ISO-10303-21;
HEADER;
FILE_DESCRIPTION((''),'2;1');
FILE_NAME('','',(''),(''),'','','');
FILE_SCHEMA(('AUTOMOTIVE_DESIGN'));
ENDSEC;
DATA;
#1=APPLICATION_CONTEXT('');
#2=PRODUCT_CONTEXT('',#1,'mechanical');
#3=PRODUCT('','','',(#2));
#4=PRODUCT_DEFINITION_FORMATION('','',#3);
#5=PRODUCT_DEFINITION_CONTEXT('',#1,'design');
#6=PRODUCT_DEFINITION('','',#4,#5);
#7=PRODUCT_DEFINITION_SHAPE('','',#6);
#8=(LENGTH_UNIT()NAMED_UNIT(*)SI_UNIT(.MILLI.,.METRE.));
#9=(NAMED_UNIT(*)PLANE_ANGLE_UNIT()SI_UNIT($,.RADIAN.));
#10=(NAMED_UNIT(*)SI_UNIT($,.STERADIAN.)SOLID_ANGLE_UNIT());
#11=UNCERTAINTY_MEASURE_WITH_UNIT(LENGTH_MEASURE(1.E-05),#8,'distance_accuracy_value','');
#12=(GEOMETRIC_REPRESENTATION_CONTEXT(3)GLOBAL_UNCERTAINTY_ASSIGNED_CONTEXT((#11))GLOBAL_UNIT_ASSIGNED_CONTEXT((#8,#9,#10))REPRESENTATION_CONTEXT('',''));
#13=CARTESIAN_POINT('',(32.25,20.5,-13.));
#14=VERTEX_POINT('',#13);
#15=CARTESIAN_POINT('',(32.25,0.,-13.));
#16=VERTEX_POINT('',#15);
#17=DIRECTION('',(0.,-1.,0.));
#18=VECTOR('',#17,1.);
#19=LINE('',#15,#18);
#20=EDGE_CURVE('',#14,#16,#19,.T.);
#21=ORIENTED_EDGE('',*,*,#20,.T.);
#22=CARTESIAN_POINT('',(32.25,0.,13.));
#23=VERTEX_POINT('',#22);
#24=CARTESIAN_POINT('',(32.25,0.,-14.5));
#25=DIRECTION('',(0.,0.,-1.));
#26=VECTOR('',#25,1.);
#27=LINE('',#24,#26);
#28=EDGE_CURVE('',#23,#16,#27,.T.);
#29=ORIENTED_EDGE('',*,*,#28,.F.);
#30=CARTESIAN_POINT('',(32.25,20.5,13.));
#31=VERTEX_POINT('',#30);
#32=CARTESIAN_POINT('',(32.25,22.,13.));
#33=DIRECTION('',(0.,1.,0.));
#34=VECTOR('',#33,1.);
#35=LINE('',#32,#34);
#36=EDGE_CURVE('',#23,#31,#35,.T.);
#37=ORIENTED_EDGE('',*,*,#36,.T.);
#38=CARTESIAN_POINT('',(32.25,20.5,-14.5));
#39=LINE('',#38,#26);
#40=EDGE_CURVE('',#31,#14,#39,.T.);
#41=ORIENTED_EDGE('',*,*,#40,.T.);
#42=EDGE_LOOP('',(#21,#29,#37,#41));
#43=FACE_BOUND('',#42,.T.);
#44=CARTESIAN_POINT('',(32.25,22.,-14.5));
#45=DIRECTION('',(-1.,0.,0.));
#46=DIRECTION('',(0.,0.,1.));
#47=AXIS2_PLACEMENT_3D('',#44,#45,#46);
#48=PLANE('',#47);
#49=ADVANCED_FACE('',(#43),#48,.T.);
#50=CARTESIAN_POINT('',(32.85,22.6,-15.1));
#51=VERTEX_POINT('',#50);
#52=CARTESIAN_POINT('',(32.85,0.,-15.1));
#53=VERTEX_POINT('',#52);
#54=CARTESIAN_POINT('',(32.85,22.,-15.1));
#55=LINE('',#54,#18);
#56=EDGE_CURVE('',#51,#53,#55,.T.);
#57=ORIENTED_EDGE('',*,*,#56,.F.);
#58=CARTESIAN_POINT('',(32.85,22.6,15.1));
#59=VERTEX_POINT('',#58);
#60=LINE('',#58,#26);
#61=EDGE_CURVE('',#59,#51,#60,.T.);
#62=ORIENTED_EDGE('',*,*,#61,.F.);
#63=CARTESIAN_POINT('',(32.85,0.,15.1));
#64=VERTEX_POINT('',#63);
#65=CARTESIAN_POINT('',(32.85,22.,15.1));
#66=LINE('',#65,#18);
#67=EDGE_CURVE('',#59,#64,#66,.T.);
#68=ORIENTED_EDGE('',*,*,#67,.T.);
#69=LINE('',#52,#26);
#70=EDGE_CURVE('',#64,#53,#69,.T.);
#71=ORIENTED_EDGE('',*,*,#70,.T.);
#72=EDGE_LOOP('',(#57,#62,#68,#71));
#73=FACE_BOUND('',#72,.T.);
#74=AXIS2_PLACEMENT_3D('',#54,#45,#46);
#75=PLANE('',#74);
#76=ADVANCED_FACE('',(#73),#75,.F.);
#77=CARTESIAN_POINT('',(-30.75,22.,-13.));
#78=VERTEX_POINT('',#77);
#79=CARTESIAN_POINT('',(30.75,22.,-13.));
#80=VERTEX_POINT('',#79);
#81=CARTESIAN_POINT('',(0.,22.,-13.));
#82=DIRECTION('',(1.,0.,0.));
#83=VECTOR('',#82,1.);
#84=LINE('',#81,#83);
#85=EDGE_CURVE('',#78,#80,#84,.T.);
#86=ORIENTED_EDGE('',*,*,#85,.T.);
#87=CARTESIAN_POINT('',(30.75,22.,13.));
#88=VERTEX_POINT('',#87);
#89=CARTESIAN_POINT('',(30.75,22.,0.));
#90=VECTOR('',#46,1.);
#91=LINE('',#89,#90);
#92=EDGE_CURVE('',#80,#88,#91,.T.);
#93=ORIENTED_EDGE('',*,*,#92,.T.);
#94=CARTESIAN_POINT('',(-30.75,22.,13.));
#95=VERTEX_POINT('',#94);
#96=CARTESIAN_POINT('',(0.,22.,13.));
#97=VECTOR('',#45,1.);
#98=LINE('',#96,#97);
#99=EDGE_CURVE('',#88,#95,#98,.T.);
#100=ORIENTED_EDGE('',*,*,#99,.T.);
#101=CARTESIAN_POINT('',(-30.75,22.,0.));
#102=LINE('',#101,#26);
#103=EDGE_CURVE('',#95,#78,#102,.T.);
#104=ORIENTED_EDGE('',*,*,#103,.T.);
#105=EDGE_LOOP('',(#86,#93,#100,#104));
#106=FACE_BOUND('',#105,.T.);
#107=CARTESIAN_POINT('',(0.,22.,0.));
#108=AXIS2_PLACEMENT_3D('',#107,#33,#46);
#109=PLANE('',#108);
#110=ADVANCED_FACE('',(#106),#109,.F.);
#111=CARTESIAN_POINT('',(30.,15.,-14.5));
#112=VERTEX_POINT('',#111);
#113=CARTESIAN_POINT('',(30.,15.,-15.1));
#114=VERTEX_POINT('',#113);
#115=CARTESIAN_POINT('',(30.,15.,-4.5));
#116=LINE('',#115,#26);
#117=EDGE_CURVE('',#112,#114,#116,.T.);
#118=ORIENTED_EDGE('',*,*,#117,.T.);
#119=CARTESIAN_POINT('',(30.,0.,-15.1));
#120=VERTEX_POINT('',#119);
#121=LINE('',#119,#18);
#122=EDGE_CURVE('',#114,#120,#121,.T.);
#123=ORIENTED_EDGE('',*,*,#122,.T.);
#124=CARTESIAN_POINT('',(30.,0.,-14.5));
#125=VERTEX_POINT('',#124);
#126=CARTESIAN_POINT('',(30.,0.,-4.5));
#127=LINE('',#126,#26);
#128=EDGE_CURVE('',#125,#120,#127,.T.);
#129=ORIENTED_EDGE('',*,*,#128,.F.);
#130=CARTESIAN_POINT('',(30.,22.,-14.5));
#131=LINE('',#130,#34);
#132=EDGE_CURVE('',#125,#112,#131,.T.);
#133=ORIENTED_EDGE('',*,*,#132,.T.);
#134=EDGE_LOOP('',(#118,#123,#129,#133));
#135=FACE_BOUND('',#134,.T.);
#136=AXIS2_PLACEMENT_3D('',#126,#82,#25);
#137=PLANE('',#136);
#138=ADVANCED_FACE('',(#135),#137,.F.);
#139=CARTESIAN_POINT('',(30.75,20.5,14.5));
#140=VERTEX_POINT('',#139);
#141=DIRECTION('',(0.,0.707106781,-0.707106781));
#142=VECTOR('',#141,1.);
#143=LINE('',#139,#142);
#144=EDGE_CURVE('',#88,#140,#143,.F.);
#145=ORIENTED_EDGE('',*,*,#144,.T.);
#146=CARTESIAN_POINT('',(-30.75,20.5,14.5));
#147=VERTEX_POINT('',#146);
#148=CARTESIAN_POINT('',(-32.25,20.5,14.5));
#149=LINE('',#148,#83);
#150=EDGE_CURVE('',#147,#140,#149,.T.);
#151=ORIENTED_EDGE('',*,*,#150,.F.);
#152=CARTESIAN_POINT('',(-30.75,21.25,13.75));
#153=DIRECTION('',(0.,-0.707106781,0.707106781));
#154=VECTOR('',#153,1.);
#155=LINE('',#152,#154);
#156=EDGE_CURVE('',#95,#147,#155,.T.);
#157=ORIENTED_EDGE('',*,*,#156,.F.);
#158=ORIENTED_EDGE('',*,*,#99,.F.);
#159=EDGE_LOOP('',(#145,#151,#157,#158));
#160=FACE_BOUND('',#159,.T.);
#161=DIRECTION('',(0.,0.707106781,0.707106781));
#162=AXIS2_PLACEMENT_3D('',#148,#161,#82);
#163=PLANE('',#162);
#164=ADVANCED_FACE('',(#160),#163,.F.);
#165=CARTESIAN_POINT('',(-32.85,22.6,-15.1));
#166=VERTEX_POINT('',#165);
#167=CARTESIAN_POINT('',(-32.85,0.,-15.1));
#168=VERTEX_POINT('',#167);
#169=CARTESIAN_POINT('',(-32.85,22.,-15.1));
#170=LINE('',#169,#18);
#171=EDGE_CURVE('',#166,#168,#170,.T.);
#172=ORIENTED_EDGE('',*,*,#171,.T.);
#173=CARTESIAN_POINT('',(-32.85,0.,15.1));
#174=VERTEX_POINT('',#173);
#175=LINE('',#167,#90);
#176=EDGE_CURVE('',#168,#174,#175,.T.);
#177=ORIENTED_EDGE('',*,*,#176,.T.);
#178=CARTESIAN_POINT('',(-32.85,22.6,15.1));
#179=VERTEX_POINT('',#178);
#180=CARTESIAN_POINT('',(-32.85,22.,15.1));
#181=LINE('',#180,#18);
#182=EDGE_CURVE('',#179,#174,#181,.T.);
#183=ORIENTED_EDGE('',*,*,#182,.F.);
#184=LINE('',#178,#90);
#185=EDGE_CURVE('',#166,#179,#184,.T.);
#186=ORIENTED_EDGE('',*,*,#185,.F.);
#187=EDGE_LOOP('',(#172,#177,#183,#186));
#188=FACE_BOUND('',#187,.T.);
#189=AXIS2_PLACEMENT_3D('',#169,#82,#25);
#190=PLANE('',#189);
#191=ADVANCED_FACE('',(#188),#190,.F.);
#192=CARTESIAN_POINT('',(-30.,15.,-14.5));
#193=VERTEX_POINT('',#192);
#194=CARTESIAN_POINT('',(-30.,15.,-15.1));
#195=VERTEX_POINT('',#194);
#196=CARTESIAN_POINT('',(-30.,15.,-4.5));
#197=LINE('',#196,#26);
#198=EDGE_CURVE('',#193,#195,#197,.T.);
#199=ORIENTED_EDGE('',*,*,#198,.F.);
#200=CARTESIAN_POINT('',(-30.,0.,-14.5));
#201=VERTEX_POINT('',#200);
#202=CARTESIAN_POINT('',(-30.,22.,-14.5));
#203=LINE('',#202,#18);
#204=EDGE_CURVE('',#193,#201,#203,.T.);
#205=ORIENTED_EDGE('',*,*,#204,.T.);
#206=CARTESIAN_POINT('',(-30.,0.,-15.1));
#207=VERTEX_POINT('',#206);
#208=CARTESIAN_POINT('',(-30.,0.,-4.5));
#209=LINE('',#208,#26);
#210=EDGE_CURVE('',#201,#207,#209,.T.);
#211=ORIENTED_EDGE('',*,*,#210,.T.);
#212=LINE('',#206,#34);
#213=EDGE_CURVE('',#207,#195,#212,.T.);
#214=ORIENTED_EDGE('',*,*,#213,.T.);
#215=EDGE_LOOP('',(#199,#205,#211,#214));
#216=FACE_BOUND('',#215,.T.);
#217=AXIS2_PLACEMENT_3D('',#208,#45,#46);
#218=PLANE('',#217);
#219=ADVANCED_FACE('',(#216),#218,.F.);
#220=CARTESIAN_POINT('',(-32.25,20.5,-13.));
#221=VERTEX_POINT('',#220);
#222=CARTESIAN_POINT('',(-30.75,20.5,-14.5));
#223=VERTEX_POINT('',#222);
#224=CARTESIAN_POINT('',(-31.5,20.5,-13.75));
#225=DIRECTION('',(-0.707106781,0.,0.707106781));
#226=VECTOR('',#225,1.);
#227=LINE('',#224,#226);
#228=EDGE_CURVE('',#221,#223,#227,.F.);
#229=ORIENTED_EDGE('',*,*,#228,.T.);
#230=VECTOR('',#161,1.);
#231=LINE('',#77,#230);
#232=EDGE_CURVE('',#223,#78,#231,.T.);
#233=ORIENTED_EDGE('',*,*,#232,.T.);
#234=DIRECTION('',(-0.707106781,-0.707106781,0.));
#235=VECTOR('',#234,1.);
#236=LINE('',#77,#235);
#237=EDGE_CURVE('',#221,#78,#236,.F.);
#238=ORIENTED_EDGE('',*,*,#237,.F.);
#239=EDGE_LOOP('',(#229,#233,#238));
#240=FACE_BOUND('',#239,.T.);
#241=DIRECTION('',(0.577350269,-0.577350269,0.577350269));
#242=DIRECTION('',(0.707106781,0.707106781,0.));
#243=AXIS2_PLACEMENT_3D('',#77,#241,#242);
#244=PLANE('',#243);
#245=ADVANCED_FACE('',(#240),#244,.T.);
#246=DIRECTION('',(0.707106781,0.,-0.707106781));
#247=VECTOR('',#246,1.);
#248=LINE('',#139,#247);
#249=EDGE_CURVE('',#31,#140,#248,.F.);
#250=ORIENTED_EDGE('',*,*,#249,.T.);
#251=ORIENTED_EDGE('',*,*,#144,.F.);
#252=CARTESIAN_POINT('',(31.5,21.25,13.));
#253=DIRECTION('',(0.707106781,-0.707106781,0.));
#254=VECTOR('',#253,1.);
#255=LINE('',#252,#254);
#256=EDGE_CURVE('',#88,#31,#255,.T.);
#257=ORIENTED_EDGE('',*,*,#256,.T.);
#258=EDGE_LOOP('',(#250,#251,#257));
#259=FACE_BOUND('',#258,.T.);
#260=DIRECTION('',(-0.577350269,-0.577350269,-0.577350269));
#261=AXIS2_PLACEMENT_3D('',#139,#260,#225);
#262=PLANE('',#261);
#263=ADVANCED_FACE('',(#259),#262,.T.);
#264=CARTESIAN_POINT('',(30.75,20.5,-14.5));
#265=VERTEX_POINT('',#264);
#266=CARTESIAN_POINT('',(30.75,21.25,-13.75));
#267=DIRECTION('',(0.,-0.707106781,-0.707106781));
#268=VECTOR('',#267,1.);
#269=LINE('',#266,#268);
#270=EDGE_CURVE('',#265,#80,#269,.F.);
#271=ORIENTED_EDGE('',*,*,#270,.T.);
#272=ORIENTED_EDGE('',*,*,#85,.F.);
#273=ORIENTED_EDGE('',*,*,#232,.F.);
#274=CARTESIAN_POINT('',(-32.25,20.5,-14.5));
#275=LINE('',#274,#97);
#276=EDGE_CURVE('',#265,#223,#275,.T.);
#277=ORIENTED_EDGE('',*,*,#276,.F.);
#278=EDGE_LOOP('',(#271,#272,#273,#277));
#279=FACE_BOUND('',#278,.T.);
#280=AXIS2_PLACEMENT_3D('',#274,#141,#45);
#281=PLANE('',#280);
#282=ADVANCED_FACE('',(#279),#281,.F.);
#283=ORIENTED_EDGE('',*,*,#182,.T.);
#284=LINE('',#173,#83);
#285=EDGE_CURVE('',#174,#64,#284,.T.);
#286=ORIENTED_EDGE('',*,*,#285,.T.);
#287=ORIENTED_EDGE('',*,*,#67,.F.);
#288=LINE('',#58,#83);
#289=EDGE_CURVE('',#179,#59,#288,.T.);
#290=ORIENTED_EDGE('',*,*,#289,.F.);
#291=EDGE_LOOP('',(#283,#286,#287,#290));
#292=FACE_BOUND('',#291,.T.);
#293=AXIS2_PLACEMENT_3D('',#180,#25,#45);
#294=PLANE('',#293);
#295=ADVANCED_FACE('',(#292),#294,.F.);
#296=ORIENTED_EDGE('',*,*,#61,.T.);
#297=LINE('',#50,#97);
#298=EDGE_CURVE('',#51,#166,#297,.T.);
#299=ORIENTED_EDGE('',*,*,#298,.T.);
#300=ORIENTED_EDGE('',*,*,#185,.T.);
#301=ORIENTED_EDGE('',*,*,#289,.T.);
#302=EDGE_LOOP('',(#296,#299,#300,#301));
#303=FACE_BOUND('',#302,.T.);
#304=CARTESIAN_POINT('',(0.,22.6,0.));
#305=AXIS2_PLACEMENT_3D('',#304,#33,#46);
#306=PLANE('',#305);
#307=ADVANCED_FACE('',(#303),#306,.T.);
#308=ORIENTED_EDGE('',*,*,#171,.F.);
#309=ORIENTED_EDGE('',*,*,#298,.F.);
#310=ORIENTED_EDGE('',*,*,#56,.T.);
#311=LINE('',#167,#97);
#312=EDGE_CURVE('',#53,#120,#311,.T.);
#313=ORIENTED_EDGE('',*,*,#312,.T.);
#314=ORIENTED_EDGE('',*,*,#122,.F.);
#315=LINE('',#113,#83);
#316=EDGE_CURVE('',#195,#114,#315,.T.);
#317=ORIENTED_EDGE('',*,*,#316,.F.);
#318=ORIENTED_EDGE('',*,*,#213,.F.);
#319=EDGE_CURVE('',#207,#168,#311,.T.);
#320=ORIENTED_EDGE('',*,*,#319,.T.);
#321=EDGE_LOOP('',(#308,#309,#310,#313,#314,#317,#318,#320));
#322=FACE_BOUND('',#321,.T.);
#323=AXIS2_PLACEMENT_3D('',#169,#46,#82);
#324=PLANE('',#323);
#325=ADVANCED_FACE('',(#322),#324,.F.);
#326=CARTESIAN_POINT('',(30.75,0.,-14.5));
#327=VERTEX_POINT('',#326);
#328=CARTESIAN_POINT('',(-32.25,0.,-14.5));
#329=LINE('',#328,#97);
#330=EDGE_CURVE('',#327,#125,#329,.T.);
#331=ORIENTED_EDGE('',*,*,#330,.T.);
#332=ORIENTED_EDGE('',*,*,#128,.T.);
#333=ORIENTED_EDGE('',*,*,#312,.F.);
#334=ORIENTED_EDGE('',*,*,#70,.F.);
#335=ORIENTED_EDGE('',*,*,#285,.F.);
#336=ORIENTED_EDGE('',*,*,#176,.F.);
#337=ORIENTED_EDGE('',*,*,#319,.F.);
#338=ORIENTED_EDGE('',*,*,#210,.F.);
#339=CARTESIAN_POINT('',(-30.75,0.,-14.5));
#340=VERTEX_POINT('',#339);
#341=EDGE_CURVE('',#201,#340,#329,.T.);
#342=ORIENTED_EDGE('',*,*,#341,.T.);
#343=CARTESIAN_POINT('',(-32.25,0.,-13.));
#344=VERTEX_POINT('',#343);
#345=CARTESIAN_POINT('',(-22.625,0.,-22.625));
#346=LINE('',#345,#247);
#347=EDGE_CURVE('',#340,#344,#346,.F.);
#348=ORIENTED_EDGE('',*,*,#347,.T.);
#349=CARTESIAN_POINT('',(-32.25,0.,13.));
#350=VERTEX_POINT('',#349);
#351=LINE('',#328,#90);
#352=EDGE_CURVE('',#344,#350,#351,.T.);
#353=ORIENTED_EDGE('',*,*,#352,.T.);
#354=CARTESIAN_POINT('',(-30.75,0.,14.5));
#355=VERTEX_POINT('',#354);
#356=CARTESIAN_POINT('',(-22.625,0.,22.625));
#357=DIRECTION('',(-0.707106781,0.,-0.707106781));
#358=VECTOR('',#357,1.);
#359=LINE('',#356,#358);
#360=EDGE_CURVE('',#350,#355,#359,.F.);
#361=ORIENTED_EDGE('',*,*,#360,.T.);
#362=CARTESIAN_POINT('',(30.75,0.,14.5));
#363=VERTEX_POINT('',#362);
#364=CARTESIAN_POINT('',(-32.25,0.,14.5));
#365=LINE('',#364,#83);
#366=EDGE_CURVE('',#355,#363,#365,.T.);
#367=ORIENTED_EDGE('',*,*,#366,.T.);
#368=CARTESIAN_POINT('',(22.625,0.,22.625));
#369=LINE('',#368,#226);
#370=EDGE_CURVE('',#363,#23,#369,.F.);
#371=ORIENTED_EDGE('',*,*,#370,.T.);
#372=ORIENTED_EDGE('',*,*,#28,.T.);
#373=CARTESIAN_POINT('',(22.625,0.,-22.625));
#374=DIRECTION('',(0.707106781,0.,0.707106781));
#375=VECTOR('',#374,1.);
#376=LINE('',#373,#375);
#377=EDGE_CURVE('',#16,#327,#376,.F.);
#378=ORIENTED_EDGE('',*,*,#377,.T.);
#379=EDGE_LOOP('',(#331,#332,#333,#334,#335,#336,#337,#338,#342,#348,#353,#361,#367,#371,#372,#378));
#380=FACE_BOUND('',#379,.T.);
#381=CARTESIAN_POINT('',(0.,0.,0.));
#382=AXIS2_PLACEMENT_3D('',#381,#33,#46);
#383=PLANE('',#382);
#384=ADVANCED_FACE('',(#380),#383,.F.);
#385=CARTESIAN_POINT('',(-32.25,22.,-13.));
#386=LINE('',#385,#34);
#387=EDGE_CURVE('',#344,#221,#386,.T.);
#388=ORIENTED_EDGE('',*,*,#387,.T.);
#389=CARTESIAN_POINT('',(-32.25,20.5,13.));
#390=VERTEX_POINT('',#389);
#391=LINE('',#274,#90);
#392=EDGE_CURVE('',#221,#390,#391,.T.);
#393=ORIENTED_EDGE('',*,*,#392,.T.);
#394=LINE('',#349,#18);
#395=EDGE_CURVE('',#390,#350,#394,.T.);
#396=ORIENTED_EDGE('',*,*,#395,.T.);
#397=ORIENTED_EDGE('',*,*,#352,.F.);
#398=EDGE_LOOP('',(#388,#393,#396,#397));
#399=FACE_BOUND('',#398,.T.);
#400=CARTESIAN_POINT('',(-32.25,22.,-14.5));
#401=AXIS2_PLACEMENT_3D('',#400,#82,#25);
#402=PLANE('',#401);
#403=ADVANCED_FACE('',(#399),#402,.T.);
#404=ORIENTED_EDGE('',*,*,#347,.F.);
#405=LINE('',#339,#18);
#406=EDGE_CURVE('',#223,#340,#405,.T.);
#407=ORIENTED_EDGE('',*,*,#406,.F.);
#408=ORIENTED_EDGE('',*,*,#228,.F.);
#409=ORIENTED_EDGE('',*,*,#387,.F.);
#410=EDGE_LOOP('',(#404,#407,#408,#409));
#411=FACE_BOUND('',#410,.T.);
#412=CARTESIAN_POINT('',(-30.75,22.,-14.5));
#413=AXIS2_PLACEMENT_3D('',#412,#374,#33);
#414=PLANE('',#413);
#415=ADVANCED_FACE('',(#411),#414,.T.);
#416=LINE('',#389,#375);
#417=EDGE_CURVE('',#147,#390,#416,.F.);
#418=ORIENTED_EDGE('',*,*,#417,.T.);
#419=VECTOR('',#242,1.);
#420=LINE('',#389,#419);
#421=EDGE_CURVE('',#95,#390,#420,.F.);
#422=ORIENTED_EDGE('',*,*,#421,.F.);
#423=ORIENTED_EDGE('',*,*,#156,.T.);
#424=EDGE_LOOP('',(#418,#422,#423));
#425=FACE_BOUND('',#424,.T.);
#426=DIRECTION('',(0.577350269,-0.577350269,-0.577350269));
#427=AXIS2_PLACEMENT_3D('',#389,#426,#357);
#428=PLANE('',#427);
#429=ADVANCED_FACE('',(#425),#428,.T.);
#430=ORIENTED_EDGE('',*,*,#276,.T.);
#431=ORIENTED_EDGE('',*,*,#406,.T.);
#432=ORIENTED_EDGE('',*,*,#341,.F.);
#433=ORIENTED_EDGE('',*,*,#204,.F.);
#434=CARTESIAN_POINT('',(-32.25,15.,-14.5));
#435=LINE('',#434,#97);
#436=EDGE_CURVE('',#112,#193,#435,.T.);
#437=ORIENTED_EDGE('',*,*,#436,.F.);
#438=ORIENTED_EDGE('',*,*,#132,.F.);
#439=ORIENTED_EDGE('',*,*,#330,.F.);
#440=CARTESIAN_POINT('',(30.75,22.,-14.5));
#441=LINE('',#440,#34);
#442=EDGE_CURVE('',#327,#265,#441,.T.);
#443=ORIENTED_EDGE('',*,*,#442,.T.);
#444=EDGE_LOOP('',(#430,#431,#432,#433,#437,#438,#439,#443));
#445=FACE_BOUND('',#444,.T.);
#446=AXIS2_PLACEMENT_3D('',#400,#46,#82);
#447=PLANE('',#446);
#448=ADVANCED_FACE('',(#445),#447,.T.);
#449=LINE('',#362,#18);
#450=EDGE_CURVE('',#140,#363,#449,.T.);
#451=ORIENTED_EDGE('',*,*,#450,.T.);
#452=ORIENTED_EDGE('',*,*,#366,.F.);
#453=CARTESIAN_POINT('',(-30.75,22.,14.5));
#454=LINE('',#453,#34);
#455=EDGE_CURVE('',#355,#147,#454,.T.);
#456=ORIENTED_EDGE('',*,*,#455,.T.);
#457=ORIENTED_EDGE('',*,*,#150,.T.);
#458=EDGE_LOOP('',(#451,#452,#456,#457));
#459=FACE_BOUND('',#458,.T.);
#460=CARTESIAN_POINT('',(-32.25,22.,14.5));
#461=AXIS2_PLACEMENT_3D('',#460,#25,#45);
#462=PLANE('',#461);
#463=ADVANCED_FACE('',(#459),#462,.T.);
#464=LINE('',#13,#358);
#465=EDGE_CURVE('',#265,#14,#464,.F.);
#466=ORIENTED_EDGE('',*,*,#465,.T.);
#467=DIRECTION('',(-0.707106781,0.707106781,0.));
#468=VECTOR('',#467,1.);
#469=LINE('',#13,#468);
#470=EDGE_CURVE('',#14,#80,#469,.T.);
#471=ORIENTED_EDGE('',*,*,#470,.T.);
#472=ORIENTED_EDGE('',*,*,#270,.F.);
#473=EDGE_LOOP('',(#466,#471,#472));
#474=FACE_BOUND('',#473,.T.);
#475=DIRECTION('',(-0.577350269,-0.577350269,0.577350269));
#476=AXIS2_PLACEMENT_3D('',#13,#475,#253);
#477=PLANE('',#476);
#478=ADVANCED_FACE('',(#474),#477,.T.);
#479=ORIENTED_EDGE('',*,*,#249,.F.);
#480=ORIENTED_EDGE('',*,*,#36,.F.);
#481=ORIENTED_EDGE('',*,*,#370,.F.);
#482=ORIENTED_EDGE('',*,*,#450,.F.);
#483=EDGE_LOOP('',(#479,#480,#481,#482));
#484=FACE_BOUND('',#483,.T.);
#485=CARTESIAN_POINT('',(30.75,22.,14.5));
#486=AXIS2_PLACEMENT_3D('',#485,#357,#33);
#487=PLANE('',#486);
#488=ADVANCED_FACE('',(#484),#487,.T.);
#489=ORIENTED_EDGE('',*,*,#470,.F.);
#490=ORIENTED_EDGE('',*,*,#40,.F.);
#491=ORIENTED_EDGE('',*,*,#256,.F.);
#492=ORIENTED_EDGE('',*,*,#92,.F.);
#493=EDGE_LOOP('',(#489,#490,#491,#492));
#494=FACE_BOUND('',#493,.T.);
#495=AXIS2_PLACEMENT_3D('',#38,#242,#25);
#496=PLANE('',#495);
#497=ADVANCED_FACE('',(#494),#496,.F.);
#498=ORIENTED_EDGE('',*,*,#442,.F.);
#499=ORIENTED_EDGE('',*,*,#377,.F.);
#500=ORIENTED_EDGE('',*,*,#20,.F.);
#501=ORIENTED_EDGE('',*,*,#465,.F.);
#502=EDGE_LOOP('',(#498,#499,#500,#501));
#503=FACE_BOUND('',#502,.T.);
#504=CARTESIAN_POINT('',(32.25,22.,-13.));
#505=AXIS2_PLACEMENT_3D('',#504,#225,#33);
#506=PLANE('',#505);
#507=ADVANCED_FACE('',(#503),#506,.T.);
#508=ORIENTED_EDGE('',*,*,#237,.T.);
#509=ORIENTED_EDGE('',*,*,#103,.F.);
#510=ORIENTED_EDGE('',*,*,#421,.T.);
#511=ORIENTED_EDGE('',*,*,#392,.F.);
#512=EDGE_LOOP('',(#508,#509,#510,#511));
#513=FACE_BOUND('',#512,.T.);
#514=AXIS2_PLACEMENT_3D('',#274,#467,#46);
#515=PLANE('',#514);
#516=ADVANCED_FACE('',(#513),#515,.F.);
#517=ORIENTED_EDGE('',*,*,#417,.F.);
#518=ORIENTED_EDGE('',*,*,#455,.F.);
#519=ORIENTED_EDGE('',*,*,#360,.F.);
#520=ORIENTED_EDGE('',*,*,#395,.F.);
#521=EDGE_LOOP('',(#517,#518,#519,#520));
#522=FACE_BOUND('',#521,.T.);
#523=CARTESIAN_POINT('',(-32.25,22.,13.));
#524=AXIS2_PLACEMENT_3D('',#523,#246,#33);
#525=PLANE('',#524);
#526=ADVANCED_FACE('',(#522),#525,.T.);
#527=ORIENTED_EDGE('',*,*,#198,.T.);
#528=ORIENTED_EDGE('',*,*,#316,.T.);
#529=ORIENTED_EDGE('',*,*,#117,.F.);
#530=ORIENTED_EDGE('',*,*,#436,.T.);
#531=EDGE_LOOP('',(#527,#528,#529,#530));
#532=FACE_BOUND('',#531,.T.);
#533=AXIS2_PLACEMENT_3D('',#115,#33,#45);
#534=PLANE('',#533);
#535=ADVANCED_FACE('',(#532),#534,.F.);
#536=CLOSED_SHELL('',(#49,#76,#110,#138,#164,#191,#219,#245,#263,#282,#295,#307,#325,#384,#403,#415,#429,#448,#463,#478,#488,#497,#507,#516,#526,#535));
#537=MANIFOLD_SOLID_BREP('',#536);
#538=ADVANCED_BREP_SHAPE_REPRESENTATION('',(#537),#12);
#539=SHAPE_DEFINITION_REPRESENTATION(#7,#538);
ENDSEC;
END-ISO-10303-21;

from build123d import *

# Parameters (mm, degrees)
SKETCH1_W           = 65.7
SKETCH1_H           = 30.2
SKETCH1_W_2         = 64.5
SKETCH1_H_2         = 29
BOSS_EXTRUDE1_DEPTH = 22
SKETCH2_W           = 65.7
SKETCH2_H           = 30.2
BOSS_EXTRUDE2_DEPTH = 0.6
SKETCH3_W           = 60
SKETCH3_H           = 15
CUT_EXTRUDE1_DEPTH  = 10.6
CHAMFER1_SIZE       = 1.5


with BuildPart() as part:
    # Sketch1 → Boss-Extrude1 (new body)
    with BuildSketch(Plane(origin=(0, 0, 0), x_dir=(1, 0, 0), z_dir=(0, 1, 0))):
        Rectangle(SKETCH1_W, SKETCH1_H)
        Rectangle(SKETCH1_W_2, SKETCH1_H_2, mode=Mode.SUBTRACT)
    extrude(amount=BOSS_EXTRUDE1_DEPTH)

    # Sketch2 → Boss-Extrude2 (add)
    with BuildSketch(Plane(origin=(0, 22, 0), x_dir=(1, 0, 0), z_dir=(0, 1, 0))):
        Rectangle(SKETCH2_W, SKETCH2_H)
    extrude(amount=BOSS_EXTRUDE2_DEPTH)

    # Sketch3 → Cut-Extrude1 (cut)
    with BuildSketch(Plane(origin=(0, 0, -15.1), x_dir=(-1, 0, 0), z_dir=(0, 0, -1))):
        with Locations((0, 7.5)):
            Rectangle(SKETCH3_W, SKETCH3_H)
    extrude(amount=-CUT_EXTRUDE1_DEPTH, mode=Mode.SUBTRACT)

    # Chamfer1
    chamfer1_edges = [part.edges().sort_by_distance(p)[0] for p in [
        (32.25, 11, 14.5),
        (32.25, 11, -14.5),
        (-32.25, 11, -14.5),
        (-32.25, 11, 14.5),
        (32.25, 22, 0),
        (0, 22, -14.5),
        (-32.25, 22, 0),
        (0, 22, 14.5),
    ]]
    chamfer(chamfer1_edges, length=CHAMFER1_SIZE)


solid = part.part
